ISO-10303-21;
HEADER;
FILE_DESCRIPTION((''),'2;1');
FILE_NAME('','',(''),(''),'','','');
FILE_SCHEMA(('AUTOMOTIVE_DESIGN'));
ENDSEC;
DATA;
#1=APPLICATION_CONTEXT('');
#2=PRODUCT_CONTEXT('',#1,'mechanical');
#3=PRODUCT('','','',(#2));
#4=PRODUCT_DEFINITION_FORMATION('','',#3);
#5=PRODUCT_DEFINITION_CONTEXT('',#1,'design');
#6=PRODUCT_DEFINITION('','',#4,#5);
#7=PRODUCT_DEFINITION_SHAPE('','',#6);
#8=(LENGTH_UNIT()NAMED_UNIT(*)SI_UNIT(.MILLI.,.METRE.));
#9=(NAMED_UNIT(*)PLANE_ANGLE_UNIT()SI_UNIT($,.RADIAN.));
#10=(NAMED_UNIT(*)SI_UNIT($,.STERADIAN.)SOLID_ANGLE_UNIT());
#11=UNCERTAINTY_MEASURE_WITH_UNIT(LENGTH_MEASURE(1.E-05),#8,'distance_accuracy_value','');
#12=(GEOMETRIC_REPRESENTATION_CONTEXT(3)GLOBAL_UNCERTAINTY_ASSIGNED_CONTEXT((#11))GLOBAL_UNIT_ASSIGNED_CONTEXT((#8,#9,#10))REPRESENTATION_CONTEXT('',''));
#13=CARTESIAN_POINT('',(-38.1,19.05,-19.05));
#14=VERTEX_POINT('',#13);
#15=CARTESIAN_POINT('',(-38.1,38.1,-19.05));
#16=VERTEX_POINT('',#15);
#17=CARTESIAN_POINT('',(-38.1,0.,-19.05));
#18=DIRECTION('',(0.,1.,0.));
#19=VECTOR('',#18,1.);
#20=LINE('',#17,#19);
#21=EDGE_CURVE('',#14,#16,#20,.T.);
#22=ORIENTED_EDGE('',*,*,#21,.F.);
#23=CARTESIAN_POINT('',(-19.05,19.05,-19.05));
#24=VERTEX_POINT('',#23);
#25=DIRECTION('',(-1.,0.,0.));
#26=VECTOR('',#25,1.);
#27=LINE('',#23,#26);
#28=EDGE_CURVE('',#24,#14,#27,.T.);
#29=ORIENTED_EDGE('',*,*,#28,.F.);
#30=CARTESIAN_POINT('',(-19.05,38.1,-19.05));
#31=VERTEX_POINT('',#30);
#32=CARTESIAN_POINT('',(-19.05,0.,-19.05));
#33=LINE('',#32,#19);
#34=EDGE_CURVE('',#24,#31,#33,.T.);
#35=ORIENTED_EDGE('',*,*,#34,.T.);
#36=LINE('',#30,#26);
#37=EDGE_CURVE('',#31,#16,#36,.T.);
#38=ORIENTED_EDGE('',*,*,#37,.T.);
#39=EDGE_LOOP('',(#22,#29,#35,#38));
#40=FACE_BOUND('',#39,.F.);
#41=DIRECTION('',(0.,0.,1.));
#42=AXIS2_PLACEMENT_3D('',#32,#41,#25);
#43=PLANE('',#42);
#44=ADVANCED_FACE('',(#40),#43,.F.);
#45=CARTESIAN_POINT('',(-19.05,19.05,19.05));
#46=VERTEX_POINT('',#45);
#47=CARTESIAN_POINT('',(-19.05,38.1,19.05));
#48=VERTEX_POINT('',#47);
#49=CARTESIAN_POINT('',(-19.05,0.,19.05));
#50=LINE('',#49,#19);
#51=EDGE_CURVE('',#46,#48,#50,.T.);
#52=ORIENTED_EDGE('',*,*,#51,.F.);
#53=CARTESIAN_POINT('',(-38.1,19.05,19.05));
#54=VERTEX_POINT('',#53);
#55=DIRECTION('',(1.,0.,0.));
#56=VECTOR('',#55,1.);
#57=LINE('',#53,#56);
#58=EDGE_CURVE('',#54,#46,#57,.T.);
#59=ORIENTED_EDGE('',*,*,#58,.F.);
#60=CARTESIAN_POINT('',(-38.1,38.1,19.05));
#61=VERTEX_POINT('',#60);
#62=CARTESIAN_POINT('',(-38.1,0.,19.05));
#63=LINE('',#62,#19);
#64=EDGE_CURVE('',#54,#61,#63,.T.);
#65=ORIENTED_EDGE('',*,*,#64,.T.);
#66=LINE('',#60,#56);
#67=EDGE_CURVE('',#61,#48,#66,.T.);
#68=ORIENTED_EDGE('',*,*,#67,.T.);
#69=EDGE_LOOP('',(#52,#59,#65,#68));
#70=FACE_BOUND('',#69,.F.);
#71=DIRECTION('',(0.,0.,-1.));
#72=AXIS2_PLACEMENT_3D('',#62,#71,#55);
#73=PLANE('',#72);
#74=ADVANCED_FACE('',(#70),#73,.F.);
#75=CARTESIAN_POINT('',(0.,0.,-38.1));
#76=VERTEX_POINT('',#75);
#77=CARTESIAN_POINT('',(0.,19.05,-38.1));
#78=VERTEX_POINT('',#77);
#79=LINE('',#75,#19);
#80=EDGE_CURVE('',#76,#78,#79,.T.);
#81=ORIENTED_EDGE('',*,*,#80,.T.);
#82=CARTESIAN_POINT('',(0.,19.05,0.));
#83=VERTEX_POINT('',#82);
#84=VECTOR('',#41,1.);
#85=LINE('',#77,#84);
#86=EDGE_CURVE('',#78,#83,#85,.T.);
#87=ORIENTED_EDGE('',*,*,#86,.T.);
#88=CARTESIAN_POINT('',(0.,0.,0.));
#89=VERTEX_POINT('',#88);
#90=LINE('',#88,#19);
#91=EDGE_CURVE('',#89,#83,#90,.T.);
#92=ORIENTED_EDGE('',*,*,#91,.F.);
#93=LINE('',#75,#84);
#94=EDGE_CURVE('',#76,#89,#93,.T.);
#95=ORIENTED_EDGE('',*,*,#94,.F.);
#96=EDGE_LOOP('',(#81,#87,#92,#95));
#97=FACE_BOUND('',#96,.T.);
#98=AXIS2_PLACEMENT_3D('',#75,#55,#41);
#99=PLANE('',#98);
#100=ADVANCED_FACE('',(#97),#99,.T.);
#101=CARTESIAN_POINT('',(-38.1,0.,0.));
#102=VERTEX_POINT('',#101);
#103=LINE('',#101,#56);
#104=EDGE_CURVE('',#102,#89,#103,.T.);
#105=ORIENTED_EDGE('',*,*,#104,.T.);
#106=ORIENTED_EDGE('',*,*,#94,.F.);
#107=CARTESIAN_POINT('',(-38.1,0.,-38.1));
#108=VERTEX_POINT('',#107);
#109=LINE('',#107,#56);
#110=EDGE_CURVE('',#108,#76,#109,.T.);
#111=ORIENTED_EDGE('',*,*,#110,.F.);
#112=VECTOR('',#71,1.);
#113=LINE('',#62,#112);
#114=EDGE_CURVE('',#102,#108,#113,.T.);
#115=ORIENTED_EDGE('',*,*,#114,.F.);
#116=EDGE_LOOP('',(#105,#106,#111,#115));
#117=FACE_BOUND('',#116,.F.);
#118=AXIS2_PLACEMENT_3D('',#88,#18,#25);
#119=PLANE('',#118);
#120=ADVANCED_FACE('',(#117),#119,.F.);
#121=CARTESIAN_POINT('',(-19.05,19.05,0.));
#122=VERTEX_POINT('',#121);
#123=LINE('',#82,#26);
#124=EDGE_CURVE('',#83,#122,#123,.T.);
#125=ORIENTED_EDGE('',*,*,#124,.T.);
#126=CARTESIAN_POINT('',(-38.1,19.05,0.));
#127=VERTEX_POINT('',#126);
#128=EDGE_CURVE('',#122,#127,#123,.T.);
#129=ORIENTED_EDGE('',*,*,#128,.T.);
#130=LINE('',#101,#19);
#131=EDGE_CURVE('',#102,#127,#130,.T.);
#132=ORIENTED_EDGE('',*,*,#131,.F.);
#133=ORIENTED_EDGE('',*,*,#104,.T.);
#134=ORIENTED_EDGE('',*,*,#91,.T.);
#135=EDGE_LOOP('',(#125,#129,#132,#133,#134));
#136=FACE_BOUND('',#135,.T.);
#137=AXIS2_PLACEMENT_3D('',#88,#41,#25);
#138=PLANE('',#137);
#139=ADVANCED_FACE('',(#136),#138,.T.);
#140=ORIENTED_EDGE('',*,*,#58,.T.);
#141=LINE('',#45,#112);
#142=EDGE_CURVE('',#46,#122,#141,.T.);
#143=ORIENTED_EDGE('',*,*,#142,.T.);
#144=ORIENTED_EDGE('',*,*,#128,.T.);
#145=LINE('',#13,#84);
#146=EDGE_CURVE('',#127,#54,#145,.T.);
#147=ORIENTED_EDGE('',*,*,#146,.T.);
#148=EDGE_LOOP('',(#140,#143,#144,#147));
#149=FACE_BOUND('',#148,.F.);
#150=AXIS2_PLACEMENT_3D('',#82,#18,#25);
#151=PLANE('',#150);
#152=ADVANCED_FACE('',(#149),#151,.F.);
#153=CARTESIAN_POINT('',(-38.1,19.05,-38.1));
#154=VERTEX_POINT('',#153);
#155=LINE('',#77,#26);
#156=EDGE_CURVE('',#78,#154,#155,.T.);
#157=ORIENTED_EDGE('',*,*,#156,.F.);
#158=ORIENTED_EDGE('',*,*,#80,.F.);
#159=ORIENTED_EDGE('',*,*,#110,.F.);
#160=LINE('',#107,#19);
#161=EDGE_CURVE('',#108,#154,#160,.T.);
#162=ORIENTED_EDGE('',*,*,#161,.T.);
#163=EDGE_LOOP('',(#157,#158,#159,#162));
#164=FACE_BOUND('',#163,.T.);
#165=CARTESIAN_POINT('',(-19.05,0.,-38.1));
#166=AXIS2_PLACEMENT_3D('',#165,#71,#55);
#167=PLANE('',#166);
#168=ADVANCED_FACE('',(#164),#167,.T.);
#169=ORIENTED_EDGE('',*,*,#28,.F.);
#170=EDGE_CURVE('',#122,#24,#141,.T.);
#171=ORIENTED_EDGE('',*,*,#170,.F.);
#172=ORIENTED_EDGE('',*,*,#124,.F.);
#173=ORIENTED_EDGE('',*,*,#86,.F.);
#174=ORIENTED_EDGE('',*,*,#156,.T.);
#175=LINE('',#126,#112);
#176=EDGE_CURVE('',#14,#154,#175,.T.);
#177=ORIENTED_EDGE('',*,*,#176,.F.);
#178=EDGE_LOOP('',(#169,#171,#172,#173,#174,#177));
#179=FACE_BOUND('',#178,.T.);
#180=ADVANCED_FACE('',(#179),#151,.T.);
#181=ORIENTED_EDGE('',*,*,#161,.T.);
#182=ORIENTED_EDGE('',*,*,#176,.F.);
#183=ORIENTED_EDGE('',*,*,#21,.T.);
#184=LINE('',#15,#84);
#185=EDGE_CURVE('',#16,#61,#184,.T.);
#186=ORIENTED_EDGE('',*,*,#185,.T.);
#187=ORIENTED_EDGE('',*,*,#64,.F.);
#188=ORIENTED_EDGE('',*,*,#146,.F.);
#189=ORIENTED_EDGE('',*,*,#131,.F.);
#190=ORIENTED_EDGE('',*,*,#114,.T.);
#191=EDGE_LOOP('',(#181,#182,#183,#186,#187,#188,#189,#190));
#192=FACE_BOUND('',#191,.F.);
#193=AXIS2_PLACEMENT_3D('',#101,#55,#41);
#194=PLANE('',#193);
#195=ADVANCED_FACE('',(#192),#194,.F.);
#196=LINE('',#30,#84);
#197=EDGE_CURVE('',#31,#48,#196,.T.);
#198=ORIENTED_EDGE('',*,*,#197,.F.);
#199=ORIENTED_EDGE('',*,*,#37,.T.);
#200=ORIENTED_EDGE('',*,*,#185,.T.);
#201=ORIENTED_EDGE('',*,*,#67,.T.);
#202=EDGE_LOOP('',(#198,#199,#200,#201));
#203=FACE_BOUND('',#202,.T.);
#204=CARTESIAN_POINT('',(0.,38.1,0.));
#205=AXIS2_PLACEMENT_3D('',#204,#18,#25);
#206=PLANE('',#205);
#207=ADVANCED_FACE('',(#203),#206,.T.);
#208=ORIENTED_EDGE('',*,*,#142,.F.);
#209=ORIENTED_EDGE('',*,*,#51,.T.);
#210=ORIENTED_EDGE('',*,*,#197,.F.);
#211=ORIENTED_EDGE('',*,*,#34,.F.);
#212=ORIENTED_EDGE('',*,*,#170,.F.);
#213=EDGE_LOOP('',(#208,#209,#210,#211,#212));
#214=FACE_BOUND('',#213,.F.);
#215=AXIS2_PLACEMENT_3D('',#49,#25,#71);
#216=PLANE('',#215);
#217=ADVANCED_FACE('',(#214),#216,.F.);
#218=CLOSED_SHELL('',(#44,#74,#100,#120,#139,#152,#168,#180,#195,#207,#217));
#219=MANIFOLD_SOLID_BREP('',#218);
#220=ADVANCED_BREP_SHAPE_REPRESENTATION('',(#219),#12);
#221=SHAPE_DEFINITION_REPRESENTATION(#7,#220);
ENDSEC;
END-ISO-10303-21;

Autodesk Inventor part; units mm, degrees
ref_plane "YZ Plane" through (0, 0, 0) normal (1, 0, 0) x (0, 1, 0)
ref_plane "XZ Plane" through (0, 0, 0) normal (0, 1, 0) x (-1, 0, 0)
ref_plane "XY Plane" through (0, 0, 0) normal (0, 0, 1) x (1, 0, 0)
sketch "Sketch1" plane through (0, 0, 0) normal (0, 1, 0) x (-1, 0, 0)
  line L0 (0, 0) -> (38.1, 0)
  line L1 (38.1, 0) -> (38.1, -38.1)
  line L2 (38.1, -38.1) -> (0, -38.1)
  line L3 (0, -38.1) -> (0, 0)
  line L4 (38.1, -38.1) -> (19.05, -38.1)
  line L5 (38.1, -19.05) -> (38.1, -38.1)
  line L6 (38.1, -38.1) -> (19.05, -38.1)
  line L7 (19.05, -19.05) -> (38.1, -19.05)
  line L8 (38.1, -19.05) -> (38.1, 19.05)
  line L9 (38.1, 19.05) -> (19.05, 19.05)
  line L10 (19.05, 19.05) -> (19.05, -19.05)
  point P0 (19.05, 0)
  dimension "d0" = 38.1
  dimension "d1" = 38.1
  dimension "d14" = 19.05
  dimension "d15" = 38.1
extrude "Extrusion5" add sketch "Sketch1" along normal blind 19.05 contours L0 L10 L7 L1 L2 L3
extrude "Extrusion6" add sketch "Sketch1" along normal blind 38.1 contours L0 L1 L7 L10
extrude "Extrusion7" add sketch "Sketch1" along normal blind 38.1 contours L10 L9 L8 L0
extrude "Extrusion8" cut sketch "Sketch1" along normal blind 19.05 contours L10 L9 L8 L0
properties part number "Square with Lobe"
